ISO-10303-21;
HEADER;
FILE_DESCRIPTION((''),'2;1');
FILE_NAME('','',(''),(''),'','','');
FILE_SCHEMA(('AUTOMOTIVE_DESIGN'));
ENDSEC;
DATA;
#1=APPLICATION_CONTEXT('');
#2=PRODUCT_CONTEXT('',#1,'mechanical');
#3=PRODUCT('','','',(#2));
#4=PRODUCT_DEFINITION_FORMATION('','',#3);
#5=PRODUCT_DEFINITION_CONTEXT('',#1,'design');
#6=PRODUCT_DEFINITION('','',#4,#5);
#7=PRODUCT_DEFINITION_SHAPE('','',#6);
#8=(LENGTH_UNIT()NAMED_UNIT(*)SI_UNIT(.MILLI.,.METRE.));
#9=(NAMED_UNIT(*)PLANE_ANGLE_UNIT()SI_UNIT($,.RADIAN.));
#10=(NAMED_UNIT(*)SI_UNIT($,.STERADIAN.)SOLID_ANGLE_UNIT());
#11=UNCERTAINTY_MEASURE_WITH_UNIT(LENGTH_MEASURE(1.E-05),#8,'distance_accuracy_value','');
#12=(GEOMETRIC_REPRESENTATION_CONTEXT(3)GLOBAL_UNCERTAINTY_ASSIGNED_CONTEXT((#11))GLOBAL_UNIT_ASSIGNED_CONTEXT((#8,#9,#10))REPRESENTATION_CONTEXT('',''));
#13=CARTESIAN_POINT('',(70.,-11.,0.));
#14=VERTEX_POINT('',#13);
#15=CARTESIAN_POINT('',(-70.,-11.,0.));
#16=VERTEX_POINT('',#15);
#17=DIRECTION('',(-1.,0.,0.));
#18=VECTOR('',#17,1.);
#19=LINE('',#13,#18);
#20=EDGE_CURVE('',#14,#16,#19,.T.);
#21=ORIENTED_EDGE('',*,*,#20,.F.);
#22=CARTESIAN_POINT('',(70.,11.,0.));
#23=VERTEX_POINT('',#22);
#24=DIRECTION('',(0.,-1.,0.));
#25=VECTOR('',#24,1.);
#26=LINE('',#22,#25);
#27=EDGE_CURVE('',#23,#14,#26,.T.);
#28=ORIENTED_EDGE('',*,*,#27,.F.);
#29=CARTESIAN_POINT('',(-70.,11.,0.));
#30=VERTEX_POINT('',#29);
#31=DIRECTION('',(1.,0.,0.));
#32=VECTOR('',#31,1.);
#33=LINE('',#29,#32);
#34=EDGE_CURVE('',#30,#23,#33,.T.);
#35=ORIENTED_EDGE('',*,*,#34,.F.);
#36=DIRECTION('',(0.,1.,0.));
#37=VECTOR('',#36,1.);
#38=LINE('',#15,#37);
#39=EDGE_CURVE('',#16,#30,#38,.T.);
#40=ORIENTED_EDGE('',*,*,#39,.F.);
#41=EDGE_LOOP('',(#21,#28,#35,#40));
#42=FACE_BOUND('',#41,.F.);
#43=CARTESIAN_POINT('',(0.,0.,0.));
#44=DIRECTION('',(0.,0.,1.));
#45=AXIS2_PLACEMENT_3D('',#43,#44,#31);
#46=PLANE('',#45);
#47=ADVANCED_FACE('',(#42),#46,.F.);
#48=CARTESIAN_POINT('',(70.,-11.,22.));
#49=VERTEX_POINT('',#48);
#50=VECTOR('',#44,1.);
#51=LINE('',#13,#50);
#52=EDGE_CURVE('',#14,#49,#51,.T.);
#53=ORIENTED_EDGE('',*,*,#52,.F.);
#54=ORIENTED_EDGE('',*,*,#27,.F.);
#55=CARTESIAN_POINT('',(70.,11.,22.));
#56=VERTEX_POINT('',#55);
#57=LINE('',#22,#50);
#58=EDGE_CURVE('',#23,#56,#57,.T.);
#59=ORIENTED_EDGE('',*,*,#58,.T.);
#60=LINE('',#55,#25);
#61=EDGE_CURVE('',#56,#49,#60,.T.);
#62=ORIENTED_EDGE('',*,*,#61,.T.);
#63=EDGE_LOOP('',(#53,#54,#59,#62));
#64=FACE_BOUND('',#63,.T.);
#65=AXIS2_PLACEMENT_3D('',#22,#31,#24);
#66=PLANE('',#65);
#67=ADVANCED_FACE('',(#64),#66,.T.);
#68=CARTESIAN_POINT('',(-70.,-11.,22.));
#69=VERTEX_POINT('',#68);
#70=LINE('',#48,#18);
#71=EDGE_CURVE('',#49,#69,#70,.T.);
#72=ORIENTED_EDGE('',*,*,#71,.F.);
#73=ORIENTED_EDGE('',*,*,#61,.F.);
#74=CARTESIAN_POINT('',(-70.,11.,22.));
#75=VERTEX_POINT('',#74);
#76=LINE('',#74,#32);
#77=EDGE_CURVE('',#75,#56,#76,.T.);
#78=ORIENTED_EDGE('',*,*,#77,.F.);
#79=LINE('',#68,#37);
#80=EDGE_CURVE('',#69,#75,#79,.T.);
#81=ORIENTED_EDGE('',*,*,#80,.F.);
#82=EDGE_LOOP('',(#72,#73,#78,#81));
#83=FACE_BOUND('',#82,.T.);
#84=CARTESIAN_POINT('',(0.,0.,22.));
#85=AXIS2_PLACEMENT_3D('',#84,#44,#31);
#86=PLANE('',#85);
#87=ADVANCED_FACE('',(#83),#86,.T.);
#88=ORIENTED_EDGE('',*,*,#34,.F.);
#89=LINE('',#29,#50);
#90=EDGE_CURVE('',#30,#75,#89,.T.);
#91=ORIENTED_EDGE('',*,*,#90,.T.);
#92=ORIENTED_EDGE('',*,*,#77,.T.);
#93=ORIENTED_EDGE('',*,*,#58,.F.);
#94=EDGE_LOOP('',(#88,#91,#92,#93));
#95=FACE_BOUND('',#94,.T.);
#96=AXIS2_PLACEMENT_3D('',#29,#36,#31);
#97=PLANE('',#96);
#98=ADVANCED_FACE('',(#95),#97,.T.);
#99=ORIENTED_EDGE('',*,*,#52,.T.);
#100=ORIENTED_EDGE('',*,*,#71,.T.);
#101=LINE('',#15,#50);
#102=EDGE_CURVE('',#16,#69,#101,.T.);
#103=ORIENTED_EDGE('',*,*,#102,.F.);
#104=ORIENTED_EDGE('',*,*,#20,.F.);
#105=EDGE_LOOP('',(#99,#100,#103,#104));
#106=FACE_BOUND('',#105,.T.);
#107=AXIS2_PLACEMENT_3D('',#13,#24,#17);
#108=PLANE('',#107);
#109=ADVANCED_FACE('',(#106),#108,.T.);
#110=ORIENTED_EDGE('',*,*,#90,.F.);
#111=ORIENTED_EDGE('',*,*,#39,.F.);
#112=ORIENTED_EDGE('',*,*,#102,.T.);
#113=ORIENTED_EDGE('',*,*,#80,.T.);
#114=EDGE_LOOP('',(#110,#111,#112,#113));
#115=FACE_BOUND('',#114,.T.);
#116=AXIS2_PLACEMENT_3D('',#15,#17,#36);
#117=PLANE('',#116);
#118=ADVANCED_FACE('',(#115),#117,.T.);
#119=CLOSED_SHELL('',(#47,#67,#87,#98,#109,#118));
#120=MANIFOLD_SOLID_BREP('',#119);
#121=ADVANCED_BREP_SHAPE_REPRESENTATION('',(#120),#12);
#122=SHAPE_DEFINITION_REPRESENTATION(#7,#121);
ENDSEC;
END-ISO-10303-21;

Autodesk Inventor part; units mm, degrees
ref_plane "YZ Plane" through (0, 0, 0) normal (1, 0, 0) x (0, 1, 0)
ref_plane "XZ Plane" through (0, 0, 0) normal (0, 1, 0) x (-1, 0, 0)
ref_plane "XY Plane" through (0, 0, 0) normal (0, 0, 1) x (1, 0, 0)
sketch "草图1" plane through (0, 0, 0) normal (0, 0, 1) x (1, 0, 0)
  line L0 (70, 11) -> (70, -11) projected
  line L1 (-70, 11) -> (70, 11) projected
  line L2 (-70, -11) -> (-70, 11) projected
  line L3 (70, -11) -> (-70, -11) projected
  line L4 (70, -11) -> (-70, -11)
  line L5 (-70, -11) -> (-70, 11)
  line L6 (-70, 11) -> (70, 11)
  line L7 (70, 11) -> (70, -11)
  point P0 (0, 0)
extrude "拉伸1" add sketch "草图1" along normal blind 22
